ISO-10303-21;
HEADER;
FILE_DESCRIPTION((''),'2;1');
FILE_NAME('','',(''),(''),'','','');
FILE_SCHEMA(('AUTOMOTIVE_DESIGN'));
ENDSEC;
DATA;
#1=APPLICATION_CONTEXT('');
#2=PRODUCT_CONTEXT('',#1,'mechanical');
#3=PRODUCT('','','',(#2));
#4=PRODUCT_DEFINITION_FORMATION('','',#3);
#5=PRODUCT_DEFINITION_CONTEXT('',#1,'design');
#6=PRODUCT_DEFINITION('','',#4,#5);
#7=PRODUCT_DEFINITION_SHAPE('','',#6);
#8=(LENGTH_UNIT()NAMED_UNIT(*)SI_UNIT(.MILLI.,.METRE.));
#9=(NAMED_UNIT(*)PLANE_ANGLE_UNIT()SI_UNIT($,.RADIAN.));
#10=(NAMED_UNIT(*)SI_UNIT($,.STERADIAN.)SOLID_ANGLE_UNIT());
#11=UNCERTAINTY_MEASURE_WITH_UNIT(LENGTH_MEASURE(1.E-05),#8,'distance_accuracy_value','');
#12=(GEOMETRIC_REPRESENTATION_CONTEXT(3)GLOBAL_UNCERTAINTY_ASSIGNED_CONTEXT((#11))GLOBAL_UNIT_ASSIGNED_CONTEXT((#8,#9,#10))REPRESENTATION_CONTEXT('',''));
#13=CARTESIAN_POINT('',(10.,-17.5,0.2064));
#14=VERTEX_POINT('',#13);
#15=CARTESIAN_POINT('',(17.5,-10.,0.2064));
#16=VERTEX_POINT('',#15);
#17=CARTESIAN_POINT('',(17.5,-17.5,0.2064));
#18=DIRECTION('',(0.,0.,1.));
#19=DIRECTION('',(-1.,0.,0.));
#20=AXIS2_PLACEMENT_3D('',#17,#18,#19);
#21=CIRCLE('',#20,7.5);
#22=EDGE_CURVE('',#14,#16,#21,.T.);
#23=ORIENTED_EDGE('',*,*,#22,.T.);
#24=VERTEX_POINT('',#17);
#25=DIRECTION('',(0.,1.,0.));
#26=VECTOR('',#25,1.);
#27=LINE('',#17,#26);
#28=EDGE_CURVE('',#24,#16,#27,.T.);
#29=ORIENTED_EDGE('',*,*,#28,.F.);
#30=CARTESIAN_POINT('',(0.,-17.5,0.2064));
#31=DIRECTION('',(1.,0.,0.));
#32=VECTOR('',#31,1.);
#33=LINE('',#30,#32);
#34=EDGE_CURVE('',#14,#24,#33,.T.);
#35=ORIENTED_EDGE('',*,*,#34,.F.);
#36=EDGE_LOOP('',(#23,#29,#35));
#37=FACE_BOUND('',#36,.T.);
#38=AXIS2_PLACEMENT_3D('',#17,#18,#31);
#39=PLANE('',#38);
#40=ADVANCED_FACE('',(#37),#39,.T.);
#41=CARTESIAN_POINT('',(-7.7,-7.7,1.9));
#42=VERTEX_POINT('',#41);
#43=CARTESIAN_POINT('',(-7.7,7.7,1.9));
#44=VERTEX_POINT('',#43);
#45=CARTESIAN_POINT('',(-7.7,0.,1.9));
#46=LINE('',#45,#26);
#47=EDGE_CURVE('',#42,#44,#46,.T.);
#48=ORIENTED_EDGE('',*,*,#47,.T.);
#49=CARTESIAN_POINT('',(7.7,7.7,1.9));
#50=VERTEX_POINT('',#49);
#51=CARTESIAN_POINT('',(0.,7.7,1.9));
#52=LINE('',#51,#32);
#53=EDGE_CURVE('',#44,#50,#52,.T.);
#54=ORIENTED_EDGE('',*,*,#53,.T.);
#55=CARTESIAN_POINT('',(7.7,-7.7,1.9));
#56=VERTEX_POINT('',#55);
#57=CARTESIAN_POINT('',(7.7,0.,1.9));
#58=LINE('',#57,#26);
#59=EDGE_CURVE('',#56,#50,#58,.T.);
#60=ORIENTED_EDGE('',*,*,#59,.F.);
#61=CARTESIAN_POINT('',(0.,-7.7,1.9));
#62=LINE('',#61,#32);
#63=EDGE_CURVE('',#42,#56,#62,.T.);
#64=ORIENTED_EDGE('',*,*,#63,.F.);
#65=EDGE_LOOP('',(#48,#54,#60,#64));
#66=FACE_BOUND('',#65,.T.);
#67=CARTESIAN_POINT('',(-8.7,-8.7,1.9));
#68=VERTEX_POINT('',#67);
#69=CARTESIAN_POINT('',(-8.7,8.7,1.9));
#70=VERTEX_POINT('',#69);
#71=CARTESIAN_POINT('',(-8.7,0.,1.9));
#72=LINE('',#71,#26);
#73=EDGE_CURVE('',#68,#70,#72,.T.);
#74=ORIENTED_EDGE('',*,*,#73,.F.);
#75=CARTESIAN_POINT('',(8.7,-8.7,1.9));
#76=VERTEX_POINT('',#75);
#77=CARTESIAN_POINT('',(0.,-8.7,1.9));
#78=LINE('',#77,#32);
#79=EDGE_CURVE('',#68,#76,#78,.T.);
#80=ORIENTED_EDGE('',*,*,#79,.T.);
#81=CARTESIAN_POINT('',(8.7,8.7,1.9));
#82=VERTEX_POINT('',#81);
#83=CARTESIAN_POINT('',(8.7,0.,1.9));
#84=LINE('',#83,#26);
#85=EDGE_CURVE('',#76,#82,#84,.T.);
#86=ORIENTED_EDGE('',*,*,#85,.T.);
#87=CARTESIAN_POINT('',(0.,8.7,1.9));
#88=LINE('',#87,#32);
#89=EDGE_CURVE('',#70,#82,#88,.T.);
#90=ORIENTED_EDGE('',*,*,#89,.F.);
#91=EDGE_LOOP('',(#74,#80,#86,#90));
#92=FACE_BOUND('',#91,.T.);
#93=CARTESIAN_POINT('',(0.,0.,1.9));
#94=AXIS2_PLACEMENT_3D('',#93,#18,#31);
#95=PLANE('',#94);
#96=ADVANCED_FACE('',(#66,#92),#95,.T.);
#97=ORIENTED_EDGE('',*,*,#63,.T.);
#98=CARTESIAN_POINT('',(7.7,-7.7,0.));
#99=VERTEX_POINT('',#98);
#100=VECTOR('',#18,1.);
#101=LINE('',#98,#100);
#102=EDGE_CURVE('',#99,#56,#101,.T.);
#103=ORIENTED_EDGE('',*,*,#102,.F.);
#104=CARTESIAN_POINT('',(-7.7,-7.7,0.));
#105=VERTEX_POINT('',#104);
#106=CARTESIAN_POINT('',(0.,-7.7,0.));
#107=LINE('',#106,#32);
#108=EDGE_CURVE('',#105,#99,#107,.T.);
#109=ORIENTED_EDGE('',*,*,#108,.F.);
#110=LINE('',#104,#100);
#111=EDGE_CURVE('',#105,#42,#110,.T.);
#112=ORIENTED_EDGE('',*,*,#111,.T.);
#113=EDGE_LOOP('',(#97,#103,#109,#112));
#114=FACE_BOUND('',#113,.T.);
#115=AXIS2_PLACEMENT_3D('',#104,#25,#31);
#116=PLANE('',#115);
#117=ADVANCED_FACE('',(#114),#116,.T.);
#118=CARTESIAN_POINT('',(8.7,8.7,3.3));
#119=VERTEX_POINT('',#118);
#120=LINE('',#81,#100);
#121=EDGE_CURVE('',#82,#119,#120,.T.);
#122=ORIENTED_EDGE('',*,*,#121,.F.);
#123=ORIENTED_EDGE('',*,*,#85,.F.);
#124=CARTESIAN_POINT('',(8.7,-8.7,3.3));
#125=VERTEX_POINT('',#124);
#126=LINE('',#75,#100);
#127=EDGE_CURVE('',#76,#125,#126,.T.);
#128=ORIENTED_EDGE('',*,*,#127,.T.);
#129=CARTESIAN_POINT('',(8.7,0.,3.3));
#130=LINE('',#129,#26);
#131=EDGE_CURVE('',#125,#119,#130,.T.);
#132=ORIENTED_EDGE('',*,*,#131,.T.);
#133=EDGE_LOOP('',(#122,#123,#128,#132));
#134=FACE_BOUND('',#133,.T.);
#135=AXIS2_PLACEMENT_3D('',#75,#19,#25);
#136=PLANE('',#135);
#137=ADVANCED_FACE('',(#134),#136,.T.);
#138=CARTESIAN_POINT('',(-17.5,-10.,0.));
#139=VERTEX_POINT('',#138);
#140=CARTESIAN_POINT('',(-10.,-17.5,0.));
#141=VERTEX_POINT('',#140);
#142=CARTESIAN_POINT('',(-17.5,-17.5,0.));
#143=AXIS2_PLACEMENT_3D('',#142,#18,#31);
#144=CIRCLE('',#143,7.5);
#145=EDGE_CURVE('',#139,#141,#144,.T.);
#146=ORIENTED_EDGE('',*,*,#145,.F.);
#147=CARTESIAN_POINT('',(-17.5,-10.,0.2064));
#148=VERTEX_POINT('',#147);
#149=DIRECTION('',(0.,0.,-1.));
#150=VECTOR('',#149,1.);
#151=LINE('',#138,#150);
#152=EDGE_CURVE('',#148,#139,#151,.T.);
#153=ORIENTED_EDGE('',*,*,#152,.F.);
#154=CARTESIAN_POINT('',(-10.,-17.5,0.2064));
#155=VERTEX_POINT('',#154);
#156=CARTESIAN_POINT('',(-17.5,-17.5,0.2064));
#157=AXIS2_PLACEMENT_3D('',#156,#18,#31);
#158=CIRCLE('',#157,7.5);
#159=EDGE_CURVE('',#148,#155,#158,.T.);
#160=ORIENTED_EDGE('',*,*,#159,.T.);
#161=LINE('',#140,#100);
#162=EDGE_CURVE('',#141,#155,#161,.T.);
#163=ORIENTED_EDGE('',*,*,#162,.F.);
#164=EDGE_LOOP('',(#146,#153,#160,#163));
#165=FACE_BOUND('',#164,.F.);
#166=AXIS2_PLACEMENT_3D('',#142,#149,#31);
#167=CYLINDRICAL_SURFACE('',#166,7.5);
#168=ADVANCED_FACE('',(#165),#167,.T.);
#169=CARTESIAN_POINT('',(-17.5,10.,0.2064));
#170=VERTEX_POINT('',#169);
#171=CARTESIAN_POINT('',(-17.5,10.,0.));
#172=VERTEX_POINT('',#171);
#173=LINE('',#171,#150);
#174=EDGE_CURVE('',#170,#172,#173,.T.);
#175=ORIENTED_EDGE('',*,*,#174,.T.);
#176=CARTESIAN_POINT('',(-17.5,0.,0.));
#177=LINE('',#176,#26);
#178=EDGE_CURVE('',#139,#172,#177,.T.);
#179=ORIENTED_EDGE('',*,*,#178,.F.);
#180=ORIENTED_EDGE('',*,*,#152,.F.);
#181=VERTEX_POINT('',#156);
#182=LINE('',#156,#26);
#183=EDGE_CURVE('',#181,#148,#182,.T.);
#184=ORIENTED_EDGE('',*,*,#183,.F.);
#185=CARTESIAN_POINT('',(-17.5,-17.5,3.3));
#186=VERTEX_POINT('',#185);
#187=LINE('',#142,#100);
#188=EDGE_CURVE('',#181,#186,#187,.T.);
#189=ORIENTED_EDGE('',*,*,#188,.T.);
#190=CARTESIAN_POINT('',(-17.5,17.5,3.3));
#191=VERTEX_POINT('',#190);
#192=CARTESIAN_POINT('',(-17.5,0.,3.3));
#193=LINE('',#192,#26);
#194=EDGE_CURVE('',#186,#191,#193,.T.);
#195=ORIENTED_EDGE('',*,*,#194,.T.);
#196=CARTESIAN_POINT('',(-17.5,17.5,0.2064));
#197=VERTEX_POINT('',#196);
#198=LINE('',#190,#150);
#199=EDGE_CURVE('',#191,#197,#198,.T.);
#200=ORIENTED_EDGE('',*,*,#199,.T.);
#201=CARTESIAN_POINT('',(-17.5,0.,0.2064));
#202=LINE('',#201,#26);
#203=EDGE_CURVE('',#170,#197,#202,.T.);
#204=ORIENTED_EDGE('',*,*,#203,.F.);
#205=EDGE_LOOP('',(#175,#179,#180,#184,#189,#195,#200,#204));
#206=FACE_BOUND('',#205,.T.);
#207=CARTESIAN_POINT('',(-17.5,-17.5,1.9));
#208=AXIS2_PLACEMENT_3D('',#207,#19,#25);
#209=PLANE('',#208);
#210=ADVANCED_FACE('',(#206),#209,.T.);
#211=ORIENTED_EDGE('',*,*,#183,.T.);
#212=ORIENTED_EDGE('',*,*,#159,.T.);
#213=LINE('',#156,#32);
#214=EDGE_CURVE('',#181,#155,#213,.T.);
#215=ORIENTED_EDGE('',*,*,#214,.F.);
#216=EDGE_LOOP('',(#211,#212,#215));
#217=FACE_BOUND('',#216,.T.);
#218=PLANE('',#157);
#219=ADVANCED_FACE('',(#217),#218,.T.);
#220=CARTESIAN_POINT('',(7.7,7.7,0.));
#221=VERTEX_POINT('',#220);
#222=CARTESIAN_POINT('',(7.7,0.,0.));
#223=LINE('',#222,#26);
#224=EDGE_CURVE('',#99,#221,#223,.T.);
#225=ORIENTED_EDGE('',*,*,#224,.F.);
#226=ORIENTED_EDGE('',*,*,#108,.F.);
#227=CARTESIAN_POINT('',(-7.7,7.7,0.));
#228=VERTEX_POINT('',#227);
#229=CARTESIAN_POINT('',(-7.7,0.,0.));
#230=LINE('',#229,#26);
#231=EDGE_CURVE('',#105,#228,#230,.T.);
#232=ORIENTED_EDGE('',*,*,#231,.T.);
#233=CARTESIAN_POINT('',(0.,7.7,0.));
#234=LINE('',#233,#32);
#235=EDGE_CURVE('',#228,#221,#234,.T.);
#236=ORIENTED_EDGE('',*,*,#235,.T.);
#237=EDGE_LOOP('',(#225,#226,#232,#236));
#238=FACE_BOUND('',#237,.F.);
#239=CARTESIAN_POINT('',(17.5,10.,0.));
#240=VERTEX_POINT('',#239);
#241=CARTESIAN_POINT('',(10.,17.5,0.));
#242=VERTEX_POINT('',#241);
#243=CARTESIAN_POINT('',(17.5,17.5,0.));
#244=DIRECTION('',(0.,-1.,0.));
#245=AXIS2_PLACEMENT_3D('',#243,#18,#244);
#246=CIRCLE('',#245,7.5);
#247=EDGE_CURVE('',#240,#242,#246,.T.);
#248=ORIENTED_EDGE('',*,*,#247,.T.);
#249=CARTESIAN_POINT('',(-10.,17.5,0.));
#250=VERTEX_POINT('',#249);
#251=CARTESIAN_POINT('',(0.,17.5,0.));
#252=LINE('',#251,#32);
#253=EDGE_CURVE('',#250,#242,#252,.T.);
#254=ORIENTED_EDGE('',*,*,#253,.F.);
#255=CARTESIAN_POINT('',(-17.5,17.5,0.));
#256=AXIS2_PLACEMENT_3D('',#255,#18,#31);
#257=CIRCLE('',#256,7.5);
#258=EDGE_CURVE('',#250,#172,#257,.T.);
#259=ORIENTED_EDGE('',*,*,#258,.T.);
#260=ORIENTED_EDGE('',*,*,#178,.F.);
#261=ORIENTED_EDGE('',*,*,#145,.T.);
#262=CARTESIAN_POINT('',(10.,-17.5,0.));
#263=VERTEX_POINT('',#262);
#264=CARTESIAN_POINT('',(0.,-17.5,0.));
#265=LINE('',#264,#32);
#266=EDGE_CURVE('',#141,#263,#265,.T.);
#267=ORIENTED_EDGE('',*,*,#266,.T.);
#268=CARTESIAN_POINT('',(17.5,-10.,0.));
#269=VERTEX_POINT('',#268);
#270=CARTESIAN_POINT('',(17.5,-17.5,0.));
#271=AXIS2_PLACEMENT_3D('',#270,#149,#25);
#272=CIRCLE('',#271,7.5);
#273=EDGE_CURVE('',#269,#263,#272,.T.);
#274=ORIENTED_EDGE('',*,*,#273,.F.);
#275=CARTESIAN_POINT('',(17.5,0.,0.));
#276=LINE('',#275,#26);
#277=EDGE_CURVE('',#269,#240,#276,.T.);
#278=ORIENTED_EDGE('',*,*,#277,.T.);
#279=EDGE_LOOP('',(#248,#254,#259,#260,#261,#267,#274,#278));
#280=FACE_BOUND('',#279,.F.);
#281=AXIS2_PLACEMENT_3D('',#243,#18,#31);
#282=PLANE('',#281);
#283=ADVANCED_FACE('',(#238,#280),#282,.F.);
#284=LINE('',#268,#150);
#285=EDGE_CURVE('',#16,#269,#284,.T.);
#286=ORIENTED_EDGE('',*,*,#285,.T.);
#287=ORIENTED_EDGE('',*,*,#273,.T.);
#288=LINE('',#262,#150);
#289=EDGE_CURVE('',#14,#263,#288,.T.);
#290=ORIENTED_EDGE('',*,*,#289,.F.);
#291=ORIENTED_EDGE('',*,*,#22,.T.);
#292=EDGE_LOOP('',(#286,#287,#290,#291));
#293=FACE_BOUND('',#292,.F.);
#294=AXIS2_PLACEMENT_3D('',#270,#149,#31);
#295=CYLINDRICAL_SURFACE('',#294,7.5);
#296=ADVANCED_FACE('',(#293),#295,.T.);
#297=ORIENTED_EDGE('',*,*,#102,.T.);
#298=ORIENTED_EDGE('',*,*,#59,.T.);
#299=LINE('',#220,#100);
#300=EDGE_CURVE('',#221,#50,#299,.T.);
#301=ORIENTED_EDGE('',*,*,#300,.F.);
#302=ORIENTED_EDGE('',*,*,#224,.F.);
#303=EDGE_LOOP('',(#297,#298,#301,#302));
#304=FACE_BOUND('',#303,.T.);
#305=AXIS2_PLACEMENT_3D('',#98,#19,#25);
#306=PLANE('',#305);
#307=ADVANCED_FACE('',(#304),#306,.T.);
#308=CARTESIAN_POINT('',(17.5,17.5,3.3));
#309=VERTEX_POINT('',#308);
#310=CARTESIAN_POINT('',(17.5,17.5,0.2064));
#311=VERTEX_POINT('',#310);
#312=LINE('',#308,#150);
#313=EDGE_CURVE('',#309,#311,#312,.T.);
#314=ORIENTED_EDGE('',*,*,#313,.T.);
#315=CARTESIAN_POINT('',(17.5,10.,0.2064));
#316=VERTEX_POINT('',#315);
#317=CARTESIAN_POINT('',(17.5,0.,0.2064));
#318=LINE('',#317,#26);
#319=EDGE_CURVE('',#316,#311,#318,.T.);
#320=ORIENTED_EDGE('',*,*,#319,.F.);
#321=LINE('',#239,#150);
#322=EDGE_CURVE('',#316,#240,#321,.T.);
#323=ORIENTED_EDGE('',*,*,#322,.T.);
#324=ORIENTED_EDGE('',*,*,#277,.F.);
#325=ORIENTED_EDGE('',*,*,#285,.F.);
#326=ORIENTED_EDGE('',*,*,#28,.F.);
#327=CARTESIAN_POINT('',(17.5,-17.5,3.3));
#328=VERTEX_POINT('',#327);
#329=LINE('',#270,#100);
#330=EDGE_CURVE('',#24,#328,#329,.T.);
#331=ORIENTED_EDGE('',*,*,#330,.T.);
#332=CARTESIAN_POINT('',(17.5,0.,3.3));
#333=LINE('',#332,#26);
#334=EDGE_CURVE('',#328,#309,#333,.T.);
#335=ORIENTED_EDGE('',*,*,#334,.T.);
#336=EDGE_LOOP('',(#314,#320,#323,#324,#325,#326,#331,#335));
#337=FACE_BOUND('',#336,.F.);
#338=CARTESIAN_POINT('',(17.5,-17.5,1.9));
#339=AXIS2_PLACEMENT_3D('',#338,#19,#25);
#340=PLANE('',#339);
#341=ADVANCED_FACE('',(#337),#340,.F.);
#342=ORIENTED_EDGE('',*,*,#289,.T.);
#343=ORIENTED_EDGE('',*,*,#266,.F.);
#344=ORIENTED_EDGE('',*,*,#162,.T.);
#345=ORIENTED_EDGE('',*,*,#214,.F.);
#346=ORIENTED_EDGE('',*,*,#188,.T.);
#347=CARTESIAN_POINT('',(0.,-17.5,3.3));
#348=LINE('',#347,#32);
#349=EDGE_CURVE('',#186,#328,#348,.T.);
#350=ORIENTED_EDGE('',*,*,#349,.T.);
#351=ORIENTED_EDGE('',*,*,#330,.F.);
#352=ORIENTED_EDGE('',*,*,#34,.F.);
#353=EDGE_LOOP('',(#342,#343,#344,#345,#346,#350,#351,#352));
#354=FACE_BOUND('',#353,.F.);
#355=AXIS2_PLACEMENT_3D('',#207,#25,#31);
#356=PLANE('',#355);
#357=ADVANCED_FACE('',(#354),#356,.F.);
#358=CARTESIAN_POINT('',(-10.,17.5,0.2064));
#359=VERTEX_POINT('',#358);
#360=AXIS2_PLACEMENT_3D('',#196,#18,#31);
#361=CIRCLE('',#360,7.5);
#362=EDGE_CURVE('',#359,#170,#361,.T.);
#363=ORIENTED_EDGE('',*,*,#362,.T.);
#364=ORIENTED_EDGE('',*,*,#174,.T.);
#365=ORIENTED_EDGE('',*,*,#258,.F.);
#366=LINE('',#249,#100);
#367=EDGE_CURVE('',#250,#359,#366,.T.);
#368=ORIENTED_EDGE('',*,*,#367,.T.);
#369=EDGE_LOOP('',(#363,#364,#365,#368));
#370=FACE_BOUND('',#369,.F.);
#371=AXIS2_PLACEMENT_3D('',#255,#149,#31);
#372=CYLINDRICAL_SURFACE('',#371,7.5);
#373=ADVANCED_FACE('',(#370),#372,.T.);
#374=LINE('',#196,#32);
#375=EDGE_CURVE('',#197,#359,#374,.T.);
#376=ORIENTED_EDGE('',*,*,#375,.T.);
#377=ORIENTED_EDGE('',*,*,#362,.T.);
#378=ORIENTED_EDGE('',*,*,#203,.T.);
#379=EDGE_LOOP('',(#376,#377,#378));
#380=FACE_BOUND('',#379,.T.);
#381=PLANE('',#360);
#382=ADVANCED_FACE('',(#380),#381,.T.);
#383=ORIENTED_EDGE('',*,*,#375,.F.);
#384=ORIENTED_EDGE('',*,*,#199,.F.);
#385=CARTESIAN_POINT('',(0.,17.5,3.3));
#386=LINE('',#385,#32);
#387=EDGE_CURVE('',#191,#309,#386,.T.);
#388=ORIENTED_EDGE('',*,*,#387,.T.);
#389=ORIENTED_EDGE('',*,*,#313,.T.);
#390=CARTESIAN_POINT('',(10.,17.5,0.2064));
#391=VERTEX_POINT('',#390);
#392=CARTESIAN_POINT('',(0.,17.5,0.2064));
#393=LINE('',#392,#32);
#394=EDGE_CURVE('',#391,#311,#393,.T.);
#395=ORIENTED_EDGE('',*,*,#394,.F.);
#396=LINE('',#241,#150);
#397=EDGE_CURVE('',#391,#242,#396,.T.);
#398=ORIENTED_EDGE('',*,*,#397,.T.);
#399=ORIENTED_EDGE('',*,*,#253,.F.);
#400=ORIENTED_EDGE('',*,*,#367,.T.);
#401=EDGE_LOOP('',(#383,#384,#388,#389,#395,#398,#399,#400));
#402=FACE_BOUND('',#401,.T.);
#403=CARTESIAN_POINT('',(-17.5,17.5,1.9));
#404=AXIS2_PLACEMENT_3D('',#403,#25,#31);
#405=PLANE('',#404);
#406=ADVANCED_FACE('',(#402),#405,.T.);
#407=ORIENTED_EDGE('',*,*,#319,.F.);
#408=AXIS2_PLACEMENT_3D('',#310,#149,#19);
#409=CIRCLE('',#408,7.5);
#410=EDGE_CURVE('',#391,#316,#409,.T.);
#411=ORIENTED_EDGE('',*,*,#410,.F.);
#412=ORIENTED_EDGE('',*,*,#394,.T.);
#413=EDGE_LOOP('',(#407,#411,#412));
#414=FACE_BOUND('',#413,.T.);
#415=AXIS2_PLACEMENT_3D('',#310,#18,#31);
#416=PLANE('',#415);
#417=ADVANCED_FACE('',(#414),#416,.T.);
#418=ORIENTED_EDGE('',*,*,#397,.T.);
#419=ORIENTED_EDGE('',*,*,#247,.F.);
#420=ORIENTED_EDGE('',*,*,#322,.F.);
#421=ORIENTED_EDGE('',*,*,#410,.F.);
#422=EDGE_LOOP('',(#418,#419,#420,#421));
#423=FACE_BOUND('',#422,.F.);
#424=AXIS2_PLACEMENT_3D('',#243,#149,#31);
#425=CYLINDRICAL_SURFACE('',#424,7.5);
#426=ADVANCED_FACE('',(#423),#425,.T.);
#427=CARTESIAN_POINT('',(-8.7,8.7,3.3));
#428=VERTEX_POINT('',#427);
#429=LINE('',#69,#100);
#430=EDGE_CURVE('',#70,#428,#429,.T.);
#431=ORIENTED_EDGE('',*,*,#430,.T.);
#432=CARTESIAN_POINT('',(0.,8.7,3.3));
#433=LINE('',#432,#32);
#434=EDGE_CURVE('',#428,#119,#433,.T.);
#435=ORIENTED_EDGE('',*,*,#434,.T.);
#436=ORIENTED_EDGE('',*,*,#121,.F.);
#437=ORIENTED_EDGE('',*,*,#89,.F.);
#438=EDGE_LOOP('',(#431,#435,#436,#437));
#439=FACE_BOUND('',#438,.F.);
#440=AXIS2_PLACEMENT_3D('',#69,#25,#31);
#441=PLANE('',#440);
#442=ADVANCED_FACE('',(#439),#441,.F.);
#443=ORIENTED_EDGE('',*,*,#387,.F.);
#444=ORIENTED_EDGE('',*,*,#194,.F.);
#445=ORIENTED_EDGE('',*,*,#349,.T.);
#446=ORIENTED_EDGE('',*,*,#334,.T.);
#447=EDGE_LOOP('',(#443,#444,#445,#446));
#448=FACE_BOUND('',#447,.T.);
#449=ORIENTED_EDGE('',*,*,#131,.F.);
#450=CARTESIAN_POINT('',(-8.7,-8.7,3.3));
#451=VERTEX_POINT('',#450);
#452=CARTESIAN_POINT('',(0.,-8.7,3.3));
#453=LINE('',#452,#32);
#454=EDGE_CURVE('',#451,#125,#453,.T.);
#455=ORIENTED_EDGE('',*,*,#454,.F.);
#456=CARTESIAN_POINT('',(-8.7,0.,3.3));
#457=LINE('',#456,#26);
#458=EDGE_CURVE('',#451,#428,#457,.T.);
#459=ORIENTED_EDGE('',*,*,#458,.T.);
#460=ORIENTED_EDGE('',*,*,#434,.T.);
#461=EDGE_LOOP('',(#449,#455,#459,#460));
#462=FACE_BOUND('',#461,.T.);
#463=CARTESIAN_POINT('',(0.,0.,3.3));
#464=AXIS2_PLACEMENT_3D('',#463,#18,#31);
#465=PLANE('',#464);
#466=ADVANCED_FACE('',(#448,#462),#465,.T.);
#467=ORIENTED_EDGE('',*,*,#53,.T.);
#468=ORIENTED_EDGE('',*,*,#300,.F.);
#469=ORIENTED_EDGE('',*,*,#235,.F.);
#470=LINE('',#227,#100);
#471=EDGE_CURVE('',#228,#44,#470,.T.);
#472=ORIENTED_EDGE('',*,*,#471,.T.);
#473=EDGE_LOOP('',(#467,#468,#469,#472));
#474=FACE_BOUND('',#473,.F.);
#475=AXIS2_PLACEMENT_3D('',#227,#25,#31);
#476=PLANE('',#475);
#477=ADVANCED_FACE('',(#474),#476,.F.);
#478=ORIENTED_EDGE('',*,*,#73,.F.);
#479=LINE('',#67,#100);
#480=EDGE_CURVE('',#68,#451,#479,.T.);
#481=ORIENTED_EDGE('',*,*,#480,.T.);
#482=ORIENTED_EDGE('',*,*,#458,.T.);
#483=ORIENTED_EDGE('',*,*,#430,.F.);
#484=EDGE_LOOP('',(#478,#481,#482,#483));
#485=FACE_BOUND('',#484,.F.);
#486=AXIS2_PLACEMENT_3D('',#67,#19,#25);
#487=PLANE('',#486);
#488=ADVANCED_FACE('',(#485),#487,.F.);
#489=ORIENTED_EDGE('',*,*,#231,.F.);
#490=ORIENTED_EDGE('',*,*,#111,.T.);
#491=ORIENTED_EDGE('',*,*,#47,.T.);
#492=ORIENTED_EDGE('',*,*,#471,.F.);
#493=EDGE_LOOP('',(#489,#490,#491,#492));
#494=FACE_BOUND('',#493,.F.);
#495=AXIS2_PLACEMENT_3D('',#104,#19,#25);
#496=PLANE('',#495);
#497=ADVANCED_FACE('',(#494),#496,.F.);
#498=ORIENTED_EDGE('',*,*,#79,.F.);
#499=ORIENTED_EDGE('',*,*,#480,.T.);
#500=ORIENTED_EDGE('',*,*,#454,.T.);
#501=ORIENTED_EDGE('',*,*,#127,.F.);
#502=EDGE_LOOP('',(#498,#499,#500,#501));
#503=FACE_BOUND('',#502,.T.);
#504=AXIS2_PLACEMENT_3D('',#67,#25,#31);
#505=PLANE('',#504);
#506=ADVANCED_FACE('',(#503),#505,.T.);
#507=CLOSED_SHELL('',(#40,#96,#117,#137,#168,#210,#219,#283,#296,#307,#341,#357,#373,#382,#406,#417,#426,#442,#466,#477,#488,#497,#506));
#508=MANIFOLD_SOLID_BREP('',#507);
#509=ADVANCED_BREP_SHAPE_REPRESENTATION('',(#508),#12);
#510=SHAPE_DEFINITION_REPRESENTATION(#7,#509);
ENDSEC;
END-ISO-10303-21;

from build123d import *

# Parameters (mm, degrees)
F0_W     = 17.4
F0_H     = 17.4
F0_W_2   = 15.4
F0_H_2   = 15.4
F5_DEPTH = 1.9
F0_W_3   = 35
F0_H_3   = 35
F1_DEPTH = 1.9
F2_DEPTH = 1.4
F3_R     = 7.5
F4_DEPTH = 0.2064


with BuildPart() as f5:
    # F0 (on Top) → F5 (new body)
    with BuildSketch(Plane.XY):
        Rectangle(F0_W, F0_H)
        Rectangle(F0_W_2, F0_H_2, mode=Mode.SUBTRACT)
    extrude(amount=F5_DEPTH)



with BuildPart() as f1:
    # F0 (on Top) → F1 (new body, through all)
    with BuildSketch(Plane.XY):
        Rectangle(F0_W_3, F0_H_3)
        Rectangle(F0_W, F0_H, mode=Mode.SUBTRACT)
    extrude(amount=F1_DEPTH)


with BuildPart() as f5_1:
    add(f5.part)
    # F2 (add): a face of the model
    f2_faces = [f1.part.faces().sort_by_distance(p)[0] for p in [
        (17.0050252532, 0, 1.9),
    ]]

    add(f1.part)  # F2 merges F1
    extrude(f2_faces, amount=F2_DEPTH)

    # F3 (on Top) → F4 (join)
    with BuildSketch(Plane.XY):
        with Locations((17.5, 17.5)):
            Circle(F3_R)
        with Locations((-17.5, 17.5)):
            Circle(F3_R)
        with Locations((-17.5, -17.5)):
            Circle(F3_R)
        with Locations((17.5, -17.5)):
            Circle(F3_R)
    extrude(amount=F4_DEPTH)


solid = f5_1.part
